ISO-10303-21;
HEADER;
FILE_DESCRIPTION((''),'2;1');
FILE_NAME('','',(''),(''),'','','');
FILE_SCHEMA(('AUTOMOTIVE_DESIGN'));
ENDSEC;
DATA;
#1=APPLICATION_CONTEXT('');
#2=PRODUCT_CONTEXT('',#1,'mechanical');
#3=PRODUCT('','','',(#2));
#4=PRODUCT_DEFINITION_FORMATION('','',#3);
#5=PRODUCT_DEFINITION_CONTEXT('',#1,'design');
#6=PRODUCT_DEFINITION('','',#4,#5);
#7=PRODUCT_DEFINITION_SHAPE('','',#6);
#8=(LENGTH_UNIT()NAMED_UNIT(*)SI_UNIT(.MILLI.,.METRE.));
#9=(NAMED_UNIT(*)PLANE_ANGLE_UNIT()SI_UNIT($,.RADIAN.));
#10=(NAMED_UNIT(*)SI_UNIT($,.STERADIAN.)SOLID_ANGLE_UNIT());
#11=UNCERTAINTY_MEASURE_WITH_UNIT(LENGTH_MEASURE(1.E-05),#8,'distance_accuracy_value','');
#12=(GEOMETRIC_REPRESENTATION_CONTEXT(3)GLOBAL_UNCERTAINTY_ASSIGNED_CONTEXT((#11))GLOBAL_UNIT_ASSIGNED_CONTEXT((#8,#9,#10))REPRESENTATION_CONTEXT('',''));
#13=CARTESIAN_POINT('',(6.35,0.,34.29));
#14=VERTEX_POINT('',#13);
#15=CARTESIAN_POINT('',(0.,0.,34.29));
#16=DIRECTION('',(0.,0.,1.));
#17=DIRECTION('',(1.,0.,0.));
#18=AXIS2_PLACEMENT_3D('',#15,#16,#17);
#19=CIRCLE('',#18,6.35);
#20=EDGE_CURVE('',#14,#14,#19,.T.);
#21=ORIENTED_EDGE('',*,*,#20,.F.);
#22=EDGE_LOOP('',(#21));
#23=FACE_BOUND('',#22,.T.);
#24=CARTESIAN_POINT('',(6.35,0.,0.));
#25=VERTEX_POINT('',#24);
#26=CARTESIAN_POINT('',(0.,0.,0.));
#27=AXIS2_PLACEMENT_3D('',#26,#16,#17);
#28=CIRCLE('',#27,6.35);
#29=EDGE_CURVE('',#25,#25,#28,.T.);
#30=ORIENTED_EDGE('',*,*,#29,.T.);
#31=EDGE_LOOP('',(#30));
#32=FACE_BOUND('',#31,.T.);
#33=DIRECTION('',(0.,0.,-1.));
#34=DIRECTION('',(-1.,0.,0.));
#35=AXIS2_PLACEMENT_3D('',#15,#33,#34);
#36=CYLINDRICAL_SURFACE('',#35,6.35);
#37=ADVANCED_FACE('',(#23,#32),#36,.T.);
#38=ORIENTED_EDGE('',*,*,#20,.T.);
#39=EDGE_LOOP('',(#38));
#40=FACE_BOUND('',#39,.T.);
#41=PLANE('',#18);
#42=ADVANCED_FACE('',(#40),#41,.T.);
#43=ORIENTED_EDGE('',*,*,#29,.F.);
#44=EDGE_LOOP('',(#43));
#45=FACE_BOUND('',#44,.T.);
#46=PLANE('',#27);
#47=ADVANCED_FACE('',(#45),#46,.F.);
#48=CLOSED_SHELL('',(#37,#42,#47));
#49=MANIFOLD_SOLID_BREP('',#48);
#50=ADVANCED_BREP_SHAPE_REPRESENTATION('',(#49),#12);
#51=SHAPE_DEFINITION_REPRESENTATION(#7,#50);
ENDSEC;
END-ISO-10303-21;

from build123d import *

# Parameters (mm, degrees)
SKETCH2_R           = 6.35
BOSS_EXTRUDE1_DEPTH = 34.29


with BuildPart() as part:
    # Sketch2 → Boss-Extrude1 (new body)
    with BuildSketch(Plane.XY):
        Circle(SKETCH2_R)
    extrude(amount=BOSS_EXTRUDE1_DEPTH)


solid = part.part
